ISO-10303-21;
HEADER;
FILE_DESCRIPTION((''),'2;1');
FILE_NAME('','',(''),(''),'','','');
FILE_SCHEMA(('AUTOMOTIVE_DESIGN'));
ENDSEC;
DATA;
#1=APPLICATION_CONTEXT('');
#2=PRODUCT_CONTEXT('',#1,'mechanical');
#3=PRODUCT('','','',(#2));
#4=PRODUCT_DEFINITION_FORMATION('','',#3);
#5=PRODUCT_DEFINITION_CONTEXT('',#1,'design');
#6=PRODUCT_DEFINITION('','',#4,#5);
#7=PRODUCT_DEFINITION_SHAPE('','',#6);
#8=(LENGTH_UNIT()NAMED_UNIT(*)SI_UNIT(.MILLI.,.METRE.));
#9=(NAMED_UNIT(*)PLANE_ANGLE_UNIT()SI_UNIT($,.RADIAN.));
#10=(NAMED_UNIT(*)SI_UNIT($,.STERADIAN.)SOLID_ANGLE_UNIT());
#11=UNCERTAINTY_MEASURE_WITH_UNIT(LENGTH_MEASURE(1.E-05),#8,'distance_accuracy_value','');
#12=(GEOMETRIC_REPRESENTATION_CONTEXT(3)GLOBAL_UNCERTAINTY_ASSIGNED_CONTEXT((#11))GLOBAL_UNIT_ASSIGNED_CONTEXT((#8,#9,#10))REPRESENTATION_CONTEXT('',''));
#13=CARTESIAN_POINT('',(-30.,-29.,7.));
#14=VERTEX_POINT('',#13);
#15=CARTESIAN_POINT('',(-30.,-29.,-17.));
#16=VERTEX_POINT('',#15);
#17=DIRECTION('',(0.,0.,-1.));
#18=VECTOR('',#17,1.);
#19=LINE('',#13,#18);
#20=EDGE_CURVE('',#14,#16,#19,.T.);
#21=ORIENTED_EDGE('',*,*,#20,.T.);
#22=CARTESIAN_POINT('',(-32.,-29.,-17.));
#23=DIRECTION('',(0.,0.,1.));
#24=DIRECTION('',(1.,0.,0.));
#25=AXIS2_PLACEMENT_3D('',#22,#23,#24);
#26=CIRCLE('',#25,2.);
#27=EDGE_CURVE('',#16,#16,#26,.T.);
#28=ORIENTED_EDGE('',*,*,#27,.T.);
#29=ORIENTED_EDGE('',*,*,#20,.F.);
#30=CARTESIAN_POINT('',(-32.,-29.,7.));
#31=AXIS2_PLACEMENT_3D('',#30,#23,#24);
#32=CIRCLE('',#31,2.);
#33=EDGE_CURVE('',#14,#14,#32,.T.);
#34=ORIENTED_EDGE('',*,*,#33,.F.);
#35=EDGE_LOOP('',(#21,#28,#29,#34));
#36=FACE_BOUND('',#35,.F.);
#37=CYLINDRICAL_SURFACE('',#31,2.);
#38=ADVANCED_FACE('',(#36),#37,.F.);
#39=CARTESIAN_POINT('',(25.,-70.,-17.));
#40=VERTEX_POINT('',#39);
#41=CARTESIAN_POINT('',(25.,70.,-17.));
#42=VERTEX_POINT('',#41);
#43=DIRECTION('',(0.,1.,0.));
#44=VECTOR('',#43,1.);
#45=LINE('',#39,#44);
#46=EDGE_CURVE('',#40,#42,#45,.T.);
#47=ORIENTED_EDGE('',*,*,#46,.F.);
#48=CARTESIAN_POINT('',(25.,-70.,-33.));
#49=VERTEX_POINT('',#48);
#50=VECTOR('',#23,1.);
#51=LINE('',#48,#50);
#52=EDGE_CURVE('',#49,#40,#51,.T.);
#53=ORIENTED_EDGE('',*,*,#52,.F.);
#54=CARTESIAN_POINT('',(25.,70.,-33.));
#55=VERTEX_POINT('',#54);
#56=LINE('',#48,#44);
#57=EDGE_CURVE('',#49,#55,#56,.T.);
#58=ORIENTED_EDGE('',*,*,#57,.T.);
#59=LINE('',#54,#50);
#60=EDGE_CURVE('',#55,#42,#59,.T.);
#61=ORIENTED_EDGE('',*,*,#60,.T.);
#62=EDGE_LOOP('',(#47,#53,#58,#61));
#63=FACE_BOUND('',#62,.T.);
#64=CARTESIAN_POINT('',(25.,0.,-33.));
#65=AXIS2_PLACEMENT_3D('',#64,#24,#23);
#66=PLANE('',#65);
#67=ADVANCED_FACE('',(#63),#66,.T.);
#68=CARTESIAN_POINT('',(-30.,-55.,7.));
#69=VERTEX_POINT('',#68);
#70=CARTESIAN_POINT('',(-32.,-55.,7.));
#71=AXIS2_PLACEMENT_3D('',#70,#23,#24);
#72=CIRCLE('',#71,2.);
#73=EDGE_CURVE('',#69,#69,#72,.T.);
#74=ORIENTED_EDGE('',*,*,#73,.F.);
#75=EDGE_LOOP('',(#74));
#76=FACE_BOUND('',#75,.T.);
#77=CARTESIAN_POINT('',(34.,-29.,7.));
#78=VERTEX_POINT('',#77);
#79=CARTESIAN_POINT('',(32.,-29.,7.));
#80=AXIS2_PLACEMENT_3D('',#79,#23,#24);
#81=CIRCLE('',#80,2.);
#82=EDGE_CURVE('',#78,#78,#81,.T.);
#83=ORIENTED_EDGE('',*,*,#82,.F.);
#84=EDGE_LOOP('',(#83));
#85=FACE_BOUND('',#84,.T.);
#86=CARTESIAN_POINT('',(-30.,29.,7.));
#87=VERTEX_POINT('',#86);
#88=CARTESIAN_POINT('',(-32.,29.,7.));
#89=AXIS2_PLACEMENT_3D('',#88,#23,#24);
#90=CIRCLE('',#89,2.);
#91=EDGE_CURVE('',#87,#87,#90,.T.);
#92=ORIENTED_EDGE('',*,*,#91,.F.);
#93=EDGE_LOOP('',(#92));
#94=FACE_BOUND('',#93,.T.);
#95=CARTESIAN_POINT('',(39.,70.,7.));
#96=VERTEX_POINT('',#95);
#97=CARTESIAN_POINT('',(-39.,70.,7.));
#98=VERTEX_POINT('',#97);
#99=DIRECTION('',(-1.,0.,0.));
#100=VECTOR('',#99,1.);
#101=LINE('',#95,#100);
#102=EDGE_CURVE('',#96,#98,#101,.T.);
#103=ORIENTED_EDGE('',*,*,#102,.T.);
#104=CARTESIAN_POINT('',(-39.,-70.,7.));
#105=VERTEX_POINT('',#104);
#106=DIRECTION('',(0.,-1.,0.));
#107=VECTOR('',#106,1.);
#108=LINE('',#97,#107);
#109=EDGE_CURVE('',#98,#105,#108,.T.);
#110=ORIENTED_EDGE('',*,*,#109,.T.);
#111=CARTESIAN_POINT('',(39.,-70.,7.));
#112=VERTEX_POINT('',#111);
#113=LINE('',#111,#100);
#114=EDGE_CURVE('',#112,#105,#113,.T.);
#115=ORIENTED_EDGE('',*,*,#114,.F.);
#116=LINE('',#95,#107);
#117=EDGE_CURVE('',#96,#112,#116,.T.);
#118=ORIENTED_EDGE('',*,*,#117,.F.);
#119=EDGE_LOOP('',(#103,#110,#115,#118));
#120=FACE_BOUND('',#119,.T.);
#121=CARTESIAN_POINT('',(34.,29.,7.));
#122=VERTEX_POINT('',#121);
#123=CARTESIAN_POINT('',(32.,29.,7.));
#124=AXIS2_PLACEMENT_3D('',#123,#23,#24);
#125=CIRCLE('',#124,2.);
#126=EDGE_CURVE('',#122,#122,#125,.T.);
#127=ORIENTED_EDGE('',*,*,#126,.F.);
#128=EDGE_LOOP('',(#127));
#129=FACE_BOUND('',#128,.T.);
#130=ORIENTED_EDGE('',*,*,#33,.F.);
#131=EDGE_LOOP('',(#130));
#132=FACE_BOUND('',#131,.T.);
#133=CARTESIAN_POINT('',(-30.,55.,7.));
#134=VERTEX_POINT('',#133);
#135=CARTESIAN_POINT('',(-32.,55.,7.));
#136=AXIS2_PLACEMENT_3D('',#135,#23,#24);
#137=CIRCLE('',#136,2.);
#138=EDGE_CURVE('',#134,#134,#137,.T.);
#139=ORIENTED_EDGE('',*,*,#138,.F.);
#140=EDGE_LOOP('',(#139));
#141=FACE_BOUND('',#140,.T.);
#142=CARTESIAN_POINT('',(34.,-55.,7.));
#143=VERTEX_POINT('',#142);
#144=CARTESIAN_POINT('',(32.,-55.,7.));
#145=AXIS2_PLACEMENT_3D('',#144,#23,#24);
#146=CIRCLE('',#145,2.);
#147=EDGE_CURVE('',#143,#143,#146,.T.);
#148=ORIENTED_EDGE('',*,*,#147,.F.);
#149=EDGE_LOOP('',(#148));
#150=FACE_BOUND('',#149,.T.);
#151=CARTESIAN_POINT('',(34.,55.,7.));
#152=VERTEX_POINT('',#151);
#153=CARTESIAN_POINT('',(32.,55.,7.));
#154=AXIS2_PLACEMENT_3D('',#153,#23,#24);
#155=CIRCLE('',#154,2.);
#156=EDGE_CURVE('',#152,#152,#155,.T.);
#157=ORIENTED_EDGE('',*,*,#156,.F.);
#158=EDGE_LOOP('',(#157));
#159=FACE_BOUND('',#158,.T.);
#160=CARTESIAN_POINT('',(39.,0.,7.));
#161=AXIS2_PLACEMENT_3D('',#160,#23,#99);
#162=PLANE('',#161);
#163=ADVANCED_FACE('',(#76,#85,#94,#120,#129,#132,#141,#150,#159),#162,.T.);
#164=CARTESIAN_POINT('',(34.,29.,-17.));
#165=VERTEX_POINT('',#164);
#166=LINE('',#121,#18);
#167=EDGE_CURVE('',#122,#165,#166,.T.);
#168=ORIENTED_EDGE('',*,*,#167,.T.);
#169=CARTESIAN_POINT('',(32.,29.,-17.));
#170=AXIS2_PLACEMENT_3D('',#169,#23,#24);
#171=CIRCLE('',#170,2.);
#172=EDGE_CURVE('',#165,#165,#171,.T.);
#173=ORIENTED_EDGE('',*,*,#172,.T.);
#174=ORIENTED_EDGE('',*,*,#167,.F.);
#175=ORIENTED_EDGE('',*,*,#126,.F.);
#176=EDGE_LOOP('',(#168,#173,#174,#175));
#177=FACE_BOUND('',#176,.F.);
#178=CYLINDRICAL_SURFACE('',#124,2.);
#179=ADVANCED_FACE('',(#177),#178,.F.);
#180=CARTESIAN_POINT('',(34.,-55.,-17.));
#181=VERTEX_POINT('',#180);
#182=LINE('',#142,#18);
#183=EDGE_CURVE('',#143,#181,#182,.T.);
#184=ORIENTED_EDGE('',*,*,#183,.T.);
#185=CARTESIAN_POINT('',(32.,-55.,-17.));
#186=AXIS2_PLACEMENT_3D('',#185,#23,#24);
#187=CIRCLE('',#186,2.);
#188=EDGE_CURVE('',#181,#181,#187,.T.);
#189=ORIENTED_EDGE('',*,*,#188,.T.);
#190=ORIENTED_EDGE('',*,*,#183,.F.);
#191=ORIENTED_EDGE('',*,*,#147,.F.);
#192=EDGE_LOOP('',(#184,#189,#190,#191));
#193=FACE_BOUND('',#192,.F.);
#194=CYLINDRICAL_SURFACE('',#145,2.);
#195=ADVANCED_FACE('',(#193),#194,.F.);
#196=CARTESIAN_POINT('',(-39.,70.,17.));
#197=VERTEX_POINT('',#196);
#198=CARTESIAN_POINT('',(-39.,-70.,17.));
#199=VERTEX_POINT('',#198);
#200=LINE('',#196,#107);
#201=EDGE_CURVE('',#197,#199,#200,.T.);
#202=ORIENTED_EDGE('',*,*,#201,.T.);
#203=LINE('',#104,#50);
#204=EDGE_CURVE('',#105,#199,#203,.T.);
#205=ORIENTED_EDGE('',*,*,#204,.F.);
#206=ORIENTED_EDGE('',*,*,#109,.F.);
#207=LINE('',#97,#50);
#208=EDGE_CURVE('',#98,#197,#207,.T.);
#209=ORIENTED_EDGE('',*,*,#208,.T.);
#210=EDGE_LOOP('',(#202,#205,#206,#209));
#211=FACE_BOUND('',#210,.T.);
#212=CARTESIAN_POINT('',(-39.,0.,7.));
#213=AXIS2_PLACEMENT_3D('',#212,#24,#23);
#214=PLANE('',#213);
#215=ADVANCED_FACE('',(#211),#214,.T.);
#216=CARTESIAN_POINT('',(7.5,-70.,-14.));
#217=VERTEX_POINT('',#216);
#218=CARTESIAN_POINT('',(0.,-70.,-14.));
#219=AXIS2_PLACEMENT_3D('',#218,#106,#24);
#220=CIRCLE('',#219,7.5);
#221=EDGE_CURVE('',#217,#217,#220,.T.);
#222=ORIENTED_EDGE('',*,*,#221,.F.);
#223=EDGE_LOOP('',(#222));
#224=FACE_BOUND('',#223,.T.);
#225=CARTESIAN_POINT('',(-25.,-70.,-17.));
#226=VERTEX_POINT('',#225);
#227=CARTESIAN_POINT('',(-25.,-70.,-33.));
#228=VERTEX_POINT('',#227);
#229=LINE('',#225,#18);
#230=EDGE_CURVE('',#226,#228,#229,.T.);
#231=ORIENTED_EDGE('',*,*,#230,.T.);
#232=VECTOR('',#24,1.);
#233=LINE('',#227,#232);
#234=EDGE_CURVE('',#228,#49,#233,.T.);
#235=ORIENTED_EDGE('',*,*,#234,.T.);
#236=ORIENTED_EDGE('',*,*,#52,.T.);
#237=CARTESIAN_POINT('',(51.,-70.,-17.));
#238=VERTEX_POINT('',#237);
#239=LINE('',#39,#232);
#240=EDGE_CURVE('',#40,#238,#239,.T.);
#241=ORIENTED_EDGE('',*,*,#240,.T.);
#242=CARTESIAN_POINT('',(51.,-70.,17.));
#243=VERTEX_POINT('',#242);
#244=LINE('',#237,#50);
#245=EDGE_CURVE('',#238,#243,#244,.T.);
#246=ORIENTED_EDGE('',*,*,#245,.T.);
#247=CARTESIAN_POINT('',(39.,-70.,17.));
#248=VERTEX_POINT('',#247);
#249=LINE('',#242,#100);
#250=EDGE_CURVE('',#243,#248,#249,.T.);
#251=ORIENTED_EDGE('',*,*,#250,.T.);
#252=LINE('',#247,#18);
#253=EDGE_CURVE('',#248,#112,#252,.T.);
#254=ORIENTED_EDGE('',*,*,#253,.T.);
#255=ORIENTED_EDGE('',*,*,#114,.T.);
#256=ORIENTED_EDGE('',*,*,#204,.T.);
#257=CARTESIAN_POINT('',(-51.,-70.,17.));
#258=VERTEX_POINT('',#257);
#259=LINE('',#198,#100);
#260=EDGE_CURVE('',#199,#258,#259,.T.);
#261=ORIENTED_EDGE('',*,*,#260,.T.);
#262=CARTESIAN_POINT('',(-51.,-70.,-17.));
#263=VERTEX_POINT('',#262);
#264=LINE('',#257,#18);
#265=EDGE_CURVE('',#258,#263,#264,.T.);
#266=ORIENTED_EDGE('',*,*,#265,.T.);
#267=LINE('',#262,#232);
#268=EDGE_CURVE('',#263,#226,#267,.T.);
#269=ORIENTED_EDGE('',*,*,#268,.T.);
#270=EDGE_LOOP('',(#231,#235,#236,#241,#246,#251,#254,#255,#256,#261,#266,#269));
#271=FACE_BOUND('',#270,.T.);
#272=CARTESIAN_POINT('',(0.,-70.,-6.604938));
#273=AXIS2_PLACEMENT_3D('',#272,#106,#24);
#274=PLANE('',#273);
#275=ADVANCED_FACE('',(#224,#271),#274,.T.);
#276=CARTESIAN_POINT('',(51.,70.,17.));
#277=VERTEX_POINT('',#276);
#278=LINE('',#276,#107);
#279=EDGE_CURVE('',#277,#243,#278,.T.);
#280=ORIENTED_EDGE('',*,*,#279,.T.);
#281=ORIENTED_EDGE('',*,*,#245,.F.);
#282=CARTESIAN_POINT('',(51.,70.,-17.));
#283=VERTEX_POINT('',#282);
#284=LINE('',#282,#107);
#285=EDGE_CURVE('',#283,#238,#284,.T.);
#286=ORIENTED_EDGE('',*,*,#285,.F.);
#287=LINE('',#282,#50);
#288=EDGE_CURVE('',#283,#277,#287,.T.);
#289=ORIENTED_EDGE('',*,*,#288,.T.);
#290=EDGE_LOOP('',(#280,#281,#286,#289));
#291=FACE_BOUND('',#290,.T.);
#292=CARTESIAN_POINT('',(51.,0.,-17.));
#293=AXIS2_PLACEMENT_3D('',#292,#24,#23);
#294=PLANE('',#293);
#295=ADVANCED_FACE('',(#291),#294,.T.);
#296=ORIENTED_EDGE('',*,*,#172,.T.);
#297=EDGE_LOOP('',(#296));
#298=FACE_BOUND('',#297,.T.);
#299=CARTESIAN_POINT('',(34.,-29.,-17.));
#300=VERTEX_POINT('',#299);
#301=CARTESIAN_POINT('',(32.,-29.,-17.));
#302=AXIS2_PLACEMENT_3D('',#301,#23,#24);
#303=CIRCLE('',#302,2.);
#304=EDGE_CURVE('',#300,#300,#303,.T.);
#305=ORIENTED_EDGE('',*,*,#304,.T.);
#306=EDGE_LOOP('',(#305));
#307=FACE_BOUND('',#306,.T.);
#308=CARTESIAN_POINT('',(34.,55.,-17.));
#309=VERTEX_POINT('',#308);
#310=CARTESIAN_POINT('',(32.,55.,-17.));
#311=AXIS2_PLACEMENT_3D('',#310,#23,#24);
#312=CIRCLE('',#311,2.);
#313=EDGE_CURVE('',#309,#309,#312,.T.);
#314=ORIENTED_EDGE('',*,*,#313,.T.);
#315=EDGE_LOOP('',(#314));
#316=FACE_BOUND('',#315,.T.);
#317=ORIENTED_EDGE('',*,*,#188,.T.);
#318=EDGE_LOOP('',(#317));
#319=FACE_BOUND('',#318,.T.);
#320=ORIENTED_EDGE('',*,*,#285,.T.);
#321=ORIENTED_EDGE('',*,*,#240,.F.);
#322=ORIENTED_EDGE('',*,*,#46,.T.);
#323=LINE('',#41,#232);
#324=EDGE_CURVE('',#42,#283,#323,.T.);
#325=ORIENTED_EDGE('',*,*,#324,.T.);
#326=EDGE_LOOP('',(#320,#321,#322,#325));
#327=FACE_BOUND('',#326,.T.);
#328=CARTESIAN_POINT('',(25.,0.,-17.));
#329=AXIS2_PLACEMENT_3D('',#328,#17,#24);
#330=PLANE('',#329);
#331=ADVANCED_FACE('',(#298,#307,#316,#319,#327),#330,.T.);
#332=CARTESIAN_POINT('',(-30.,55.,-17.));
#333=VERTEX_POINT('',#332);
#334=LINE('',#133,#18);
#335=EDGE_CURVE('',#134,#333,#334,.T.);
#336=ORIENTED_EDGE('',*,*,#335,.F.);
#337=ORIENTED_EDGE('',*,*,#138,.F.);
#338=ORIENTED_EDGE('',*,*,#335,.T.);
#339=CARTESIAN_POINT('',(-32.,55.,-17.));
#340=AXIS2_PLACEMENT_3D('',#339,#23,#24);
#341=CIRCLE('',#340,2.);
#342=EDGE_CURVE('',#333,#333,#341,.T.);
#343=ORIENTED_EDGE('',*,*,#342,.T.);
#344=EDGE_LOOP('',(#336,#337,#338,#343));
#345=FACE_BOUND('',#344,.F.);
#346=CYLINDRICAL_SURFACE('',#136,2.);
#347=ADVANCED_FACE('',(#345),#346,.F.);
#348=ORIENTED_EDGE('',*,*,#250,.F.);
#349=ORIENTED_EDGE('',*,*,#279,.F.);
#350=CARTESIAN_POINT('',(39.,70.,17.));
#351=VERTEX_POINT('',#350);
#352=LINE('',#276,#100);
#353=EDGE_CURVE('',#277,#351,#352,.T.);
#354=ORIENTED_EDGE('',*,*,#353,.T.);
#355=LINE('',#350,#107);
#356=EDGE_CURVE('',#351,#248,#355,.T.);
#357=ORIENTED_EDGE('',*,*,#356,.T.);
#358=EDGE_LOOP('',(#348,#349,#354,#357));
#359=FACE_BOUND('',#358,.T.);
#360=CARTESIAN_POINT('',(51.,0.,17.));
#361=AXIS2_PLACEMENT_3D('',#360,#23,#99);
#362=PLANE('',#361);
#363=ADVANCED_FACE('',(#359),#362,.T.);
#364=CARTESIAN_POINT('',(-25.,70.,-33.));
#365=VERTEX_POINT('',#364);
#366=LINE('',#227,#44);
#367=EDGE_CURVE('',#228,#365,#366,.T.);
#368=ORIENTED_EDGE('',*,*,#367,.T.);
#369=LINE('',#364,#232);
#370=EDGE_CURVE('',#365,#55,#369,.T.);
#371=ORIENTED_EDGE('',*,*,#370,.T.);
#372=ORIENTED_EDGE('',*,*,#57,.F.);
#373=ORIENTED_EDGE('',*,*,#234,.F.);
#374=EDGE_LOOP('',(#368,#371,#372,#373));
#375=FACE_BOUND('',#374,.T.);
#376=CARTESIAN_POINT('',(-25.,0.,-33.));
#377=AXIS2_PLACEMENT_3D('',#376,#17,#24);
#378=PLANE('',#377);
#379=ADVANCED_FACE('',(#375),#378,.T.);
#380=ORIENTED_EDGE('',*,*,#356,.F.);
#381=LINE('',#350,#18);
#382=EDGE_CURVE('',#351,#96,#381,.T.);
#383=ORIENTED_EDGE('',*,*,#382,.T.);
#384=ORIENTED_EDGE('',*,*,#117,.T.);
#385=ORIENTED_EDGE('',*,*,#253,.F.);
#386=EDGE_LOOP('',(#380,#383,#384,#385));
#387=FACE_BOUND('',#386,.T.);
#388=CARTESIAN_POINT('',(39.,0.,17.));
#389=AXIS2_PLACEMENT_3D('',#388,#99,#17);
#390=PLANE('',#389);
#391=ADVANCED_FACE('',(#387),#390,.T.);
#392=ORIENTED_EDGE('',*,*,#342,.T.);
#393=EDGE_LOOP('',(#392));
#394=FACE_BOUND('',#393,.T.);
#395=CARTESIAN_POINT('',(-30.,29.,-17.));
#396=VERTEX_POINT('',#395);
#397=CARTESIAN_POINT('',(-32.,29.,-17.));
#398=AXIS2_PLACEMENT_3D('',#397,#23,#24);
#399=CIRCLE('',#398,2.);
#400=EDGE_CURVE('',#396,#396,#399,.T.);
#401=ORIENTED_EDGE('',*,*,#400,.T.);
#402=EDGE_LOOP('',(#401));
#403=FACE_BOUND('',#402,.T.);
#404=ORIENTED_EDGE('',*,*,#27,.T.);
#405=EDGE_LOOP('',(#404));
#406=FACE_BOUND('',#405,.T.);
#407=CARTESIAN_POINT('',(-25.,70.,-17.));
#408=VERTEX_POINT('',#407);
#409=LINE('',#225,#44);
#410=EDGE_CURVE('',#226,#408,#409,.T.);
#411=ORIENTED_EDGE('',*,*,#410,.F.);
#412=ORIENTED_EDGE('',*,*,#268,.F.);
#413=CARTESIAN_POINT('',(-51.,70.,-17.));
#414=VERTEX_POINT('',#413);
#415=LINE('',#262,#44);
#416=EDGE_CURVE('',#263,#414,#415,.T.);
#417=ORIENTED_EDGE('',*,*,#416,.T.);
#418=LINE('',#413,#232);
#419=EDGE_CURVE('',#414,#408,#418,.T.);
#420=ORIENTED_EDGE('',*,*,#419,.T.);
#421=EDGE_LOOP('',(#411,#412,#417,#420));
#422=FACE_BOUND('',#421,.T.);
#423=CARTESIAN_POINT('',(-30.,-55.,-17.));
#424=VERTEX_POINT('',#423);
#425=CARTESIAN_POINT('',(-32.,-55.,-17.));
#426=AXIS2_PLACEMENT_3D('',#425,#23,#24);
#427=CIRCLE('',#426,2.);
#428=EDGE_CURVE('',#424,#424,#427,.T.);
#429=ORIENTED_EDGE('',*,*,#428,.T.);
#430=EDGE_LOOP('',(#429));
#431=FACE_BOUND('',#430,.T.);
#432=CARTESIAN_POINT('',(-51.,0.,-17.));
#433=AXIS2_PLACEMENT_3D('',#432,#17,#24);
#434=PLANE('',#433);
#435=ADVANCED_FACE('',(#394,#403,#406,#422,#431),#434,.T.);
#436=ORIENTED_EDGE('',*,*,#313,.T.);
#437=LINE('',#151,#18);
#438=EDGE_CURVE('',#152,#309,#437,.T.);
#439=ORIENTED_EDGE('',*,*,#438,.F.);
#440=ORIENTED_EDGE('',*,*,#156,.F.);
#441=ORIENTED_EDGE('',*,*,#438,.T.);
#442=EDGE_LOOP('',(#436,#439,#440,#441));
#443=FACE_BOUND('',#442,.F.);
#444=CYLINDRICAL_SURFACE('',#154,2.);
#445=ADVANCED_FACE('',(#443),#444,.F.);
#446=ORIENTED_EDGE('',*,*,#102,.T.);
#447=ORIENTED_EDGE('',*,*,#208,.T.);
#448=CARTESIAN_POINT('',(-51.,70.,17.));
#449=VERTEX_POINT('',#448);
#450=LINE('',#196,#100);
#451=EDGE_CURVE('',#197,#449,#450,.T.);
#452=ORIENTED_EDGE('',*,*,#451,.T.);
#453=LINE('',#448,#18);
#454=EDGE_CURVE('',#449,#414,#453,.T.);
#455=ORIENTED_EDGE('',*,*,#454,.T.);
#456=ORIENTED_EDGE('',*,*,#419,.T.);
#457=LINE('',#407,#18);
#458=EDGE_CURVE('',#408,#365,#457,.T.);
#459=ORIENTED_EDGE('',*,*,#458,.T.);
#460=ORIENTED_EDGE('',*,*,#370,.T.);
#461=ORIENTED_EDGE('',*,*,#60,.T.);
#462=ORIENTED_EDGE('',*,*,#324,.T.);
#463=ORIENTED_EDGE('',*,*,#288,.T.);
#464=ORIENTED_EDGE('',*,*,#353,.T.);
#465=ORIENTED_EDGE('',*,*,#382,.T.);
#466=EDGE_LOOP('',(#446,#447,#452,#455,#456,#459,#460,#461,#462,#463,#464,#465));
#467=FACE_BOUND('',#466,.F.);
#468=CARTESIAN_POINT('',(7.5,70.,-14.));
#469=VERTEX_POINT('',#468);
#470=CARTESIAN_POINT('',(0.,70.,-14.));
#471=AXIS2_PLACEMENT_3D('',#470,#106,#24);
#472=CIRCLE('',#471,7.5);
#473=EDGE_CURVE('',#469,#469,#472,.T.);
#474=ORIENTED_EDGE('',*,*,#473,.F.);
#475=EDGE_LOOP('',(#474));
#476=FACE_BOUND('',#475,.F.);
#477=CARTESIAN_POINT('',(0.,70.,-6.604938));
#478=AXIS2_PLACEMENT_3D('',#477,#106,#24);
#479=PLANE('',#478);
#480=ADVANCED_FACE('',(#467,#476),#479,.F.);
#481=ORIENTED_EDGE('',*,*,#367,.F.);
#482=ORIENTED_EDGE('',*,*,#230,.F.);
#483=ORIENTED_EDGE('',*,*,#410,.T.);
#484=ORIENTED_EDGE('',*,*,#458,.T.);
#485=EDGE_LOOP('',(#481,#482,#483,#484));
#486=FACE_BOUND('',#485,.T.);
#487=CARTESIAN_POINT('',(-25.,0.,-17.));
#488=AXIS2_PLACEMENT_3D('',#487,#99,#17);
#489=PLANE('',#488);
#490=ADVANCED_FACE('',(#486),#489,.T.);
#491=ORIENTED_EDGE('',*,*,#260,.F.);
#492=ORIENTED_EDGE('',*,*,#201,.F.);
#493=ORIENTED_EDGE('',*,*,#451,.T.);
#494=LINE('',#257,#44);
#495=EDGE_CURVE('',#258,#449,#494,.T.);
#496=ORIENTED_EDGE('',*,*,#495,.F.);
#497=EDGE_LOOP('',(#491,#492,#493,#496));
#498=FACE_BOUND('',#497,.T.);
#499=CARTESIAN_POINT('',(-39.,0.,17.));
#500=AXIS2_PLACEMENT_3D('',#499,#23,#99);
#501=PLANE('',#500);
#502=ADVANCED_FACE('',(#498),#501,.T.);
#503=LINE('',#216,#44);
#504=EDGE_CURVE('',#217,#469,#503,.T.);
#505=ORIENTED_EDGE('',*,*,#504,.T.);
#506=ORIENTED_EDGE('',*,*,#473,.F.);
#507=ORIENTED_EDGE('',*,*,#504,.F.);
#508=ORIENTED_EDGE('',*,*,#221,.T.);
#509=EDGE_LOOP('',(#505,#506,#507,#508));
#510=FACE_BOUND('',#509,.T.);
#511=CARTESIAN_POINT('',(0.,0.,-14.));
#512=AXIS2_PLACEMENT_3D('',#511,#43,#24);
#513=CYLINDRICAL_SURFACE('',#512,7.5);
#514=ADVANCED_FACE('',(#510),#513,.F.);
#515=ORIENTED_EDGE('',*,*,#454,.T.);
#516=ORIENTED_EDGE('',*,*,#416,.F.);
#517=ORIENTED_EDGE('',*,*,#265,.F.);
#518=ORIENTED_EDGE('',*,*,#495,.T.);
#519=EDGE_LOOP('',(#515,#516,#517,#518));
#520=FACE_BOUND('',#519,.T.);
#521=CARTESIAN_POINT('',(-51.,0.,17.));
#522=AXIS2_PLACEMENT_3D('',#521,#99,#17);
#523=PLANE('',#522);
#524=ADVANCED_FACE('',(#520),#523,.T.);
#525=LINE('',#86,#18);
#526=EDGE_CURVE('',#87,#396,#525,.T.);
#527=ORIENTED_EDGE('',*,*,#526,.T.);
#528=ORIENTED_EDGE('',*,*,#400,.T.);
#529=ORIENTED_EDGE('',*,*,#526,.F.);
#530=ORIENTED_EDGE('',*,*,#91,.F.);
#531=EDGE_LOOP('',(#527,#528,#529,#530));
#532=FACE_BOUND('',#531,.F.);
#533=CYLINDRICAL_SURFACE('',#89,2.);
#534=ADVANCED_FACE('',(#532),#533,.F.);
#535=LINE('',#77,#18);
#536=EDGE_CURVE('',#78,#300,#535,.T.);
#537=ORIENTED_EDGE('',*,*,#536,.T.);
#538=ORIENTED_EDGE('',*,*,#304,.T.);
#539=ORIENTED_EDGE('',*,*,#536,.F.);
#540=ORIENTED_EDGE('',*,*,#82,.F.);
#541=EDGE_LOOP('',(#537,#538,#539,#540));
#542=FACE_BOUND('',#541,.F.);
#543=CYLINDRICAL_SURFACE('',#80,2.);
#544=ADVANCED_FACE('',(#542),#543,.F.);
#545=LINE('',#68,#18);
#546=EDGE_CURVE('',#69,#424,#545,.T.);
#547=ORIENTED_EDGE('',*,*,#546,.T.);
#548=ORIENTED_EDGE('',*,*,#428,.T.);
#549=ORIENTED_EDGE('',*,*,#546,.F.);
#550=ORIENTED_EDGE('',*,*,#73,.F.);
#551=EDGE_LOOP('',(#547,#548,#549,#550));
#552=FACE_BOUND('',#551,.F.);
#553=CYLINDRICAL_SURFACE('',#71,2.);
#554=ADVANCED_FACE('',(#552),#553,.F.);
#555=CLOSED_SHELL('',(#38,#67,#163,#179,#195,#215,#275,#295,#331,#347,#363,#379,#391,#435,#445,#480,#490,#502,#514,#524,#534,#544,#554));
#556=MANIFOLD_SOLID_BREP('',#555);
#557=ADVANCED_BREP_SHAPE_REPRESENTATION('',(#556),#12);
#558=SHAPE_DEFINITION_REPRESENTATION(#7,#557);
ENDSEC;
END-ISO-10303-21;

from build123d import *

# Parameters (mm, degrees)
F0_R     = 7.5
F1_DEPTH = 70
F2_R     = 2
F3_DEPTH = 40.001


with BuildPart() as f1:
    # F0 (on Front) → F1 (new body, symmetric)
    with BuildSketch(Plane.XZ):
        Polygon((25, -17), (51, -17), (51, 17), (39, 17), (39, 7), (-39, 7), (-39, 17), (-51, 17), (-51, -17), (-25, -17), (-25, -33), (25, -33), align=None)
        with Locations((0, -14)):
            Circle(F0_R, mode=Mode.SUBTRACT)
    extrude(amount=F1_DEPTH, both=True)

    # F2 (on face) → F3 (cut, through all)
    with BuildSketch(Plane.XY.offset(7)):
        with Locations((-32, 55)):
            Circle(F2_R)
        with Locations((-32, 29)):
            Circle(F2_R)
        with Locations((32, 55)):
            Circle(F2_R)
        with Locations((32, 29)):
            Circle(F2_R)
        with Locations((-32, -55)):
            Circle(F2_R)
        with Locations((32, -29)):
            Circle(F2_R)
        with Locations((-32, -29)):
            Circle(F2_R)
        with Locations((32, -55)):
            Circle(F2_R)
    extrude(amount=-F3_DEPTH, mode=Mode.SUBTRACT)


solid = f1.part
